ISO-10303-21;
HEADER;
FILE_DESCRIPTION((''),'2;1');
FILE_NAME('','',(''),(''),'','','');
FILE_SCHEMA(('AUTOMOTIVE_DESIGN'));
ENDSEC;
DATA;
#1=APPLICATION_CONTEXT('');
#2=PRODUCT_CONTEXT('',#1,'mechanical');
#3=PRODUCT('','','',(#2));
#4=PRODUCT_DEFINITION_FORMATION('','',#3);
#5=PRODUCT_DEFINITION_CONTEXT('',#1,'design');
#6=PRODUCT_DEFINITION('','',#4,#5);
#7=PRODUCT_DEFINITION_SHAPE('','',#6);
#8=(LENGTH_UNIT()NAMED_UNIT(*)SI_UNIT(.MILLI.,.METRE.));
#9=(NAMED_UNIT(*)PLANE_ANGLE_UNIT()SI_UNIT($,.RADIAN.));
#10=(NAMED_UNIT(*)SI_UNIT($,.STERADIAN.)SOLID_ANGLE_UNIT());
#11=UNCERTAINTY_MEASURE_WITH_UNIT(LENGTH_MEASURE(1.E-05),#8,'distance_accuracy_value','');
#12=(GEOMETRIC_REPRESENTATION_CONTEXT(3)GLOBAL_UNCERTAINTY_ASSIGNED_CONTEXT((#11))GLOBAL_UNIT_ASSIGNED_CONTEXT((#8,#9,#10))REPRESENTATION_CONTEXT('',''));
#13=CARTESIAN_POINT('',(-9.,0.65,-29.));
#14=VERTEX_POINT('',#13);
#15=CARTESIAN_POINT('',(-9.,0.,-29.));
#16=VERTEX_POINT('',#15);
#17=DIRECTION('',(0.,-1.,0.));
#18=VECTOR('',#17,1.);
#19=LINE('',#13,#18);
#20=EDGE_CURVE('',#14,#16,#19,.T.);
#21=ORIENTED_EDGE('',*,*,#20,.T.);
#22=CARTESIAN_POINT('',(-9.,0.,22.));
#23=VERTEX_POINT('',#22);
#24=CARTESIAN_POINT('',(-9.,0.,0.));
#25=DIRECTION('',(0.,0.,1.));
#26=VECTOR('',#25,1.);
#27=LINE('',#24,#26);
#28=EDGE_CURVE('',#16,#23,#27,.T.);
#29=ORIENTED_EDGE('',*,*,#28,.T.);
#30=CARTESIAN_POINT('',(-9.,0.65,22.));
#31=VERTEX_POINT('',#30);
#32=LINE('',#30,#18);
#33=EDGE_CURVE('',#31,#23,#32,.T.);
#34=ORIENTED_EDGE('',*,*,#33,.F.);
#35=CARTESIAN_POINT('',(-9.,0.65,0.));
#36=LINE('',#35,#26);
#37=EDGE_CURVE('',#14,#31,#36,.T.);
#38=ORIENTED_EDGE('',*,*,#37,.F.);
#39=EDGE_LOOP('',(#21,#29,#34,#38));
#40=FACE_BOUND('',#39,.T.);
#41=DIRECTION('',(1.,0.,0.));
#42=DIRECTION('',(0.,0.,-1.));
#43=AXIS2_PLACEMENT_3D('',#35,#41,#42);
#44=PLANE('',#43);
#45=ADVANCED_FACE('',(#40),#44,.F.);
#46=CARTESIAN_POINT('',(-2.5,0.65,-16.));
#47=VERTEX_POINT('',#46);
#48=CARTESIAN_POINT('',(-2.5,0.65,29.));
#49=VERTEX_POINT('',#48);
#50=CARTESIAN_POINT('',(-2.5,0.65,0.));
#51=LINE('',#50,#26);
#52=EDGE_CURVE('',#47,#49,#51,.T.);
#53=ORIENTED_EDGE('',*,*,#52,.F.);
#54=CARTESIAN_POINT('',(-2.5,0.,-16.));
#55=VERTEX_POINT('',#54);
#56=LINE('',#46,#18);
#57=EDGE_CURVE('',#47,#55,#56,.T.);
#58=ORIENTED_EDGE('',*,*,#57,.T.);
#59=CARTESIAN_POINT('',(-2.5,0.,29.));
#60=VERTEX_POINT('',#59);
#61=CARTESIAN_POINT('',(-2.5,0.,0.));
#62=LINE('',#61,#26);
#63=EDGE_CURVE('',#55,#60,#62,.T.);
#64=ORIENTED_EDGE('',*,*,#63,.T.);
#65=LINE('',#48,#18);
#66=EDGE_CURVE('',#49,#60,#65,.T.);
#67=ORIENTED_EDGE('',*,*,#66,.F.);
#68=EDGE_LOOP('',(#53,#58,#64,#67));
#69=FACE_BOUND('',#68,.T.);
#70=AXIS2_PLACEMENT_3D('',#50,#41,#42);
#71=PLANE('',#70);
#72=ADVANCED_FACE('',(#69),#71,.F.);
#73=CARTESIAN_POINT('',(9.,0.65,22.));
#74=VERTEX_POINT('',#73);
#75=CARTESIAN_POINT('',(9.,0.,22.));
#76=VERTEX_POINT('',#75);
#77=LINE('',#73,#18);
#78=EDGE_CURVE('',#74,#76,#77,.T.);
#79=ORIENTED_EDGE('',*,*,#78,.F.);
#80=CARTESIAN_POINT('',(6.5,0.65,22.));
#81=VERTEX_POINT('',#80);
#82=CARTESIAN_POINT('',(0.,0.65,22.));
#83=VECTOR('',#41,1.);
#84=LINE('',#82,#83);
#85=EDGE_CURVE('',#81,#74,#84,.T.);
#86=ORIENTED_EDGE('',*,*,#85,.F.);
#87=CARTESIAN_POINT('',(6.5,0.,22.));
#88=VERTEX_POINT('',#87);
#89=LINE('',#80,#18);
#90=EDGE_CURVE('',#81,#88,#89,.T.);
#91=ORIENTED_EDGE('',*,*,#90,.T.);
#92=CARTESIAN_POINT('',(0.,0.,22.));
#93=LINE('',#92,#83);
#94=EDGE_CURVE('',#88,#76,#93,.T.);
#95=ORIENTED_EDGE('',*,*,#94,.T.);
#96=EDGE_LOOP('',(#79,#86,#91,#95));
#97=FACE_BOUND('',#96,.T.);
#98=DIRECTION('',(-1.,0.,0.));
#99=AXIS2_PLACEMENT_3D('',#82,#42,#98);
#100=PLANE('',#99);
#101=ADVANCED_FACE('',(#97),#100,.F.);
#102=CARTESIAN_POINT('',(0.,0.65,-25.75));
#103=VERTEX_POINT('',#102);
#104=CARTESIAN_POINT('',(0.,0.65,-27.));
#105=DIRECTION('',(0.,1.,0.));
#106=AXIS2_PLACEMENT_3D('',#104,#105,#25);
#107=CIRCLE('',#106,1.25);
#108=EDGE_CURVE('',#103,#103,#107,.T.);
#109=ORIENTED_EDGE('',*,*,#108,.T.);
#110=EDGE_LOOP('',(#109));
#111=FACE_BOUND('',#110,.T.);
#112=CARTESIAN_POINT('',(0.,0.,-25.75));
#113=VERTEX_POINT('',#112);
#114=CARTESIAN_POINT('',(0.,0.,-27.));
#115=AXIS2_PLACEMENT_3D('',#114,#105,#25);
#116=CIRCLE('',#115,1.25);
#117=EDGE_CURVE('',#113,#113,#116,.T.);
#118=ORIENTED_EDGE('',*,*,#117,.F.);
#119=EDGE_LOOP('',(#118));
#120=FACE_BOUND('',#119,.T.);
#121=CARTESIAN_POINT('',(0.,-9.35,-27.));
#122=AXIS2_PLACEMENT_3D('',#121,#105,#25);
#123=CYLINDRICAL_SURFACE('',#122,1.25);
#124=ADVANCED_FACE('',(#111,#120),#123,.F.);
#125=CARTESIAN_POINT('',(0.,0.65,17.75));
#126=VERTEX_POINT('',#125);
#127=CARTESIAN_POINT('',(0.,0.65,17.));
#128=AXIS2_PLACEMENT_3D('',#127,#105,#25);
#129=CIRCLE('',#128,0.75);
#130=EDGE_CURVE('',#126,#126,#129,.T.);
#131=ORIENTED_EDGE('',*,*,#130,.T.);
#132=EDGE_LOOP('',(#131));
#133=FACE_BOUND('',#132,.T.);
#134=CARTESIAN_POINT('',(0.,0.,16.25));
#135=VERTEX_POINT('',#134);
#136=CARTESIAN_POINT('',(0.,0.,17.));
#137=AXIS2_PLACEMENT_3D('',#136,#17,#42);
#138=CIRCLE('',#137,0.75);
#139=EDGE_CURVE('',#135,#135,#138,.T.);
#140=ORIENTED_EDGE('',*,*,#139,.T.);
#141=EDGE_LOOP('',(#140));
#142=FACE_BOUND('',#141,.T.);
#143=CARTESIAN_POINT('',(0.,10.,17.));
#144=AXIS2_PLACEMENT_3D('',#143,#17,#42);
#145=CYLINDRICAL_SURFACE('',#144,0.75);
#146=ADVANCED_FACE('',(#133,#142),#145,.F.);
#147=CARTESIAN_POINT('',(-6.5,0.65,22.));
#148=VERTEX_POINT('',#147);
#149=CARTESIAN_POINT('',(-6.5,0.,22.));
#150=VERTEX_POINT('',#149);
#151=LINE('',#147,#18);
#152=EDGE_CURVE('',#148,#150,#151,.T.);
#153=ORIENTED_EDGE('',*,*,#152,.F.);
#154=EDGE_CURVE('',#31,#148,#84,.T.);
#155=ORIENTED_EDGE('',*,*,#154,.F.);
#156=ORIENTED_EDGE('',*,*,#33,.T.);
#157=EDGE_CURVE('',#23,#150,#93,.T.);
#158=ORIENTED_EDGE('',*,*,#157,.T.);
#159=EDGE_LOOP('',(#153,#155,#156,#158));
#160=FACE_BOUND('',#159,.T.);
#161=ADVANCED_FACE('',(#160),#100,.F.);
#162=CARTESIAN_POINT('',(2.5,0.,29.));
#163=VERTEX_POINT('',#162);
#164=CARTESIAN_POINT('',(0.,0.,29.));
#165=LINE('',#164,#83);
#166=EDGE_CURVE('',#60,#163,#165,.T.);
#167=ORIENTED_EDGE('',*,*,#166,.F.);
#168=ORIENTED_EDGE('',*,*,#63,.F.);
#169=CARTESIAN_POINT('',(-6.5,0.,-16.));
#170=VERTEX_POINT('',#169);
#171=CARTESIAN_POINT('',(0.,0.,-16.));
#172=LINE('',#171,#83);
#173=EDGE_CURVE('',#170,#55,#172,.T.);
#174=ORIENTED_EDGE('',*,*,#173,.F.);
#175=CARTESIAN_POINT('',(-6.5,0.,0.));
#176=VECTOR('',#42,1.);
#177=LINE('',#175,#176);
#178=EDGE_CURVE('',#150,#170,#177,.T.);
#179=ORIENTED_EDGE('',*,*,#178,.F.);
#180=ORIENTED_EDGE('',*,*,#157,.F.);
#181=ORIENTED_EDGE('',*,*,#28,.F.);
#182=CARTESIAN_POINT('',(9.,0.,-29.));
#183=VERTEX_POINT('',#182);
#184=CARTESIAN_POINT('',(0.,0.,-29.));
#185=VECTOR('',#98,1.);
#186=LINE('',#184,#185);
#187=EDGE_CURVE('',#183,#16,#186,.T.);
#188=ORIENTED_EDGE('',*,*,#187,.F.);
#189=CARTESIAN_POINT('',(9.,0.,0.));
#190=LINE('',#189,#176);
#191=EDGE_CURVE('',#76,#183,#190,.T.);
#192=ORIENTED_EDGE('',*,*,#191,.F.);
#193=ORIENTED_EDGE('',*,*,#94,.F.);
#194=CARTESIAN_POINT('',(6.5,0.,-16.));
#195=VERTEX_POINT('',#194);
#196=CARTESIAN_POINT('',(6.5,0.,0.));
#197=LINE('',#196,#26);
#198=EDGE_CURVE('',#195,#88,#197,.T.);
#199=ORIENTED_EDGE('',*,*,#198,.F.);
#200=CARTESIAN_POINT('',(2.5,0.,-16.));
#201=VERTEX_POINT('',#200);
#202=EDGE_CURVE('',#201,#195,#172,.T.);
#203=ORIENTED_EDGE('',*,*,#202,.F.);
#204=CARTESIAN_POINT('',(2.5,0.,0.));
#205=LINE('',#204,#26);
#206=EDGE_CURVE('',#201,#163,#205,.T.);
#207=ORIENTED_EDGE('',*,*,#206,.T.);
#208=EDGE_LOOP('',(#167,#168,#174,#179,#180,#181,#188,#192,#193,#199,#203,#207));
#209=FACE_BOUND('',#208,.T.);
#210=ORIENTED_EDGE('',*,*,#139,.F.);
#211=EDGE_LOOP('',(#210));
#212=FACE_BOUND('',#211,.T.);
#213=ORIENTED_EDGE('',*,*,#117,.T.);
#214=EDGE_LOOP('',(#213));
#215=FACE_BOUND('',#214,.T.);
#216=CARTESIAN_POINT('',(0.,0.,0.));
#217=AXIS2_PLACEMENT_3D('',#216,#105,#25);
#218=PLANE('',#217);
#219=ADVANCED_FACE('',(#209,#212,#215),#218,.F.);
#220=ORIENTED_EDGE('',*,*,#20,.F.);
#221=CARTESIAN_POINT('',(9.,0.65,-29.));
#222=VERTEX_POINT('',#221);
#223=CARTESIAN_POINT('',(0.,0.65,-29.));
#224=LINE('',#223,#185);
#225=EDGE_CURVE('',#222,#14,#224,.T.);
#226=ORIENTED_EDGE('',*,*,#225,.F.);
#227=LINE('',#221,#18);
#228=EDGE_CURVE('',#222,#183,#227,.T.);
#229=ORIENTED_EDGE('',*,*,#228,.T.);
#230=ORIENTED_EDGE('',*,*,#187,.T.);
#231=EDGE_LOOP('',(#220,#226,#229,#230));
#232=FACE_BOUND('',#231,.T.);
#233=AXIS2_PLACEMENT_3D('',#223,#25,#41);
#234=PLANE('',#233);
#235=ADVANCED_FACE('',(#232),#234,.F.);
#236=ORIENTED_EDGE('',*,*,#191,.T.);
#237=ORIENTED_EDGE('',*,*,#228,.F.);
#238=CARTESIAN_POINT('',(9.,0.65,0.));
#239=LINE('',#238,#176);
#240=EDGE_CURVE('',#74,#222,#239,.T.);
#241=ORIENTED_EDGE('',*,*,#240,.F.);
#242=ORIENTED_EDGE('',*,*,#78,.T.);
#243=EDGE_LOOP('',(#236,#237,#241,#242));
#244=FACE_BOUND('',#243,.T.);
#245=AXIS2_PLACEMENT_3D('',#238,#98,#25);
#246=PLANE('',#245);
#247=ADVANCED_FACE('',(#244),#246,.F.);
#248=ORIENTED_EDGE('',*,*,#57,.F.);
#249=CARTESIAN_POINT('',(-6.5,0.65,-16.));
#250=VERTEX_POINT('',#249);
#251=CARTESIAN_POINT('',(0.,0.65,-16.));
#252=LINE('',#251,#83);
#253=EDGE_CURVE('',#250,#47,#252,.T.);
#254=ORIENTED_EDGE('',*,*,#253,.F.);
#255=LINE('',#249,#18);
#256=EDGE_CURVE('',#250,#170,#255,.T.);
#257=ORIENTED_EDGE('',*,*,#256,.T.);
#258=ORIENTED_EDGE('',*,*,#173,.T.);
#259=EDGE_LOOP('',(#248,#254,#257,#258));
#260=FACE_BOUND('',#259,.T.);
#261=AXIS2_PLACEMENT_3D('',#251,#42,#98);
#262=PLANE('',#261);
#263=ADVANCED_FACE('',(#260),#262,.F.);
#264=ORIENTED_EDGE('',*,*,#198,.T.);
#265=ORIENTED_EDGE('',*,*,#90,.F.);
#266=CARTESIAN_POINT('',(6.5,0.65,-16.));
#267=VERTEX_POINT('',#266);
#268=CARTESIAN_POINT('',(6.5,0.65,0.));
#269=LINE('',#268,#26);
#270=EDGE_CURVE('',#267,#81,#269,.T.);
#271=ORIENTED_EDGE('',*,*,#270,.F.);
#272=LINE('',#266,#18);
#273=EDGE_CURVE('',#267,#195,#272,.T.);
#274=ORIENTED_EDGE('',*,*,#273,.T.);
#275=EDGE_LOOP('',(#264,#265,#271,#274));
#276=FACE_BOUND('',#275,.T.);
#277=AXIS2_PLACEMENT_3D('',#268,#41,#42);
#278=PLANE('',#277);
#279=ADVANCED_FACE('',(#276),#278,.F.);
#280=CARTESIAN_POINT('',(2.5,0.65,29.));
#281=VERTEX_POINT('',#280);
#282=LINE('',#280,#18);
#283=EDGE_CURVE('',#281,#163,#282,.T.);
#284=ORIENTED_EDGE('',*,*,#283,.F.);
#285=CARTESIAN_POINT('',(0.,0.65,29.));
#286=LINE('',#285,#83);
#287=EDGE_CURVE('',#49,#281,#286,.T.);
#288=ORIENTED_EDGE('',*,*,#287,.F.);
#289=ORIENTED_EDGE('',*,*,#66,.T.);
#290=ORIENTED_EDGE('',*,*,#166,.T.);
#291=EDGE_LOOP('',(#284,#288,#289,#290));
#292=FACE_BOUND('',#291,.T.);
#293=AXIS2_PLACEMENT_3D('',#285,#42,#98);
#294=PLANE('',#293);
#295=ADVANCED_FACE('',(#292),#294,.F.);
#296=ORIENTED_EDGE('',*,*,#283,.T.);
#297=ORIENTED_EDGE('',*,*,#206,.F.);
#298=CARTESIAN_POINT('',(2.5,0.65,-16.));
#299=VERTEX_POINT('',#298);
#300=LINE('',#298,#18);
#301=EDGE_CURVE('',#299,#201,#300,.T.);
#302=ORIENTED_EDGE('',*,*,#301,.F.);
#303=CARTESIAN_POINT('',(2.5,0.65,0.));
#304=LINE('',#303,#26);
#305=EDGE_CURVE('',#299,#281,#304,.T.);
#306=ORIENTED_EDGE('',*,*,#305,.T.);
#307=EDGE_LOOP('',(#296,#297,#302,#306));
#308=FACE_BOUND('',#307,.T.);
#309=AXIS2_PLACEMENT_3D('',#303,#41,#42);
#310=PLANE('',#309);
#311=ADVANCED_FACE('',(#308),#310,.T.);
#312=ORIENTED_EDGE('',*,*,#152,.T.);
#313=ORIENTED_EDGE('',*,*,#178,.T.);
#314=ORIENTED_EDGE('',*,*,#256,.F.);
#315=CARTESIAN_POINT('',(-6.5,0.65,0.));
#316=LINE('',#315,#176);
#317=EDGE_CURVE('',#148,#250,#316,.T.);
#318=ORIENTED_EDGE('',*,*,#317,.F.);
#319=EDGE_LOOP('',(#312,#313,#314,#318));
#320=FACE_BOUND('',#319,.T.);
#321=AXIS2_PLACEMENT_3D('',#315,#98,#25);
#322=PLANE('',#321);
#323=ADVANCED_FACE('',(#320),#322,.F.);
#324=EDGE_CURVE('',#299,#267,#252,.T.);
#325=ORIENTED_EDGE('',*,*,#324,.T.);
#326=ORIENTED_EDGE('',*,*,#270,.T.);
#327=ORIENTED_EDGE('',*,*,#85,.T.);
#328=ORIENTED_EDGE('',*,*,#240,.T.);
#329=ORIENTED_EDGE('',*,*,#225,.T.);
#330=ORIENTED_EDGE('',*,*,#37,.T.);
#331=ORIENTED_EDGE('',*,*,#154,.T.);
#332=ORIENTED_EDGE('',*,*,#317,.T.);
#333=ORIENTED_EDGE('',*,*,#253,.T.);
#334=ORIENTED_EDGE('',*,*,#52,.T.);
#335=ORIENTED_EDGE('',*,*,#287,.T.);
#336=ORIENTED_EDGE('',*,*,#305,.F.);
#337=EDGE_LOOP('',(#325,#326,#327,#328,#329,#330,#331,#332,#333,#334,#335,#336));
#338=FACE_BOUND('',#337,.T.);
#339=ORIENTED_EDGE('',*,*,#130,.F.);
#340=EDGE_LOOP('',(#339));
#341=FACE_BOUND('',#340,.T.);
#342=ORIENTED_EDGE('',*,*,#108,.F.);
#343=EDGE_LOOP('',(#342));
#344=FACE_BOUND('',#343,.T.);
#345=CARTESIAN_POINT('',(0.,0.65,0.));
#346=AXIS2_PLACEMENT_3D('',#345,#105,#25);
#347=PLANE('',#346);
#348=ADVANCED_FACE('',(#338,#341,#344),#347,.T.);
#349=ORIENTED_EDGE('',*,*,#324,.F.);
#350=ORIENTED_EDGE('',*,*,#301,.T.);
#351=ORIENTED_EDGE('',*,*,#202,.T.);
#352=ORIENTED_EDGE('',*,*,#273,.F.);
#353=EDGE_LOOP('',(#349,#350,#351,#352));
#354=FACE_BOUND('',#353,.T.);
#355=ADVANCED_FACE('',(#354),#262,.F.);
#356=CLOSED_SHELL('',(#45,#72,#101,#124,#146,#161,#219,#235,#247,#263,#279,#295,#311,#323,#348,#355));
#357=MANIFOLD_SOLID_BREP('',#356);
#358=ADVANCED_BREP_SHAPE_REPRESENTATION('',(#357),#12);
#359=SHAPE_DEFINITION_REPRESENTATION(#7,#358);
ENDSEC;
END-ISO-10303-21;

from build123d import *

# Parameters (mm, degrees)
SKETCH_1_W          = 5
SKETCH_1_H          = 58
EXTRUDE_1_DEPTH     = 0.65
SKETCH_2_R          = 1.25
CUT_EXTRUDE_1_DEPTH = 10
SKETCH_3_R          = 0.75
CUT_EXTRUDE_2_DEPTH = 10


with BuildPart() as part:
    # 草图1 → 凸台-拉伸1 (new body)
    with BuildSketch(Plane(origin=(0, 0, 0), x_dir=(1, 0, 0), z_dir=(0, 1, 0))):
        Polygon((-2.5, 16), (-2.5, 29), (-9, 29), (-9, -22), (-6.5, -22), (-6.5, 16), align=None)
        Rectangle(SKETCH_1_W, SKETCH_1_H)
        Polygon((9, 29), (2.5, 29), (2.5, 16), (6.5, 16), (6.5, -22), (9, -22), align=None)
    extrude(amount=EXTRUDE_1_DEPTH)

    # 草图2 → 切除-拉伸1 (cut)
    with BuildSketch(Plane(origin=(0, 0.65, 0), x_dir=(1, 0, 0), z_dir=(0, 1, 0))):
        with Locations(Location((0, 27, 0), (0, 0, 270))):
            Circle(SKETCH_2_R)
    extrude(amount=-CUT_EXTRUDE_1_DEPTH, mode=Mode.SUBTRACT)

    # 草图3 → 切除-拉伸2 (cut)
    with BuildSketch(Plane.XZ):
        with Locations(Location((0, 17, 0), (0, 0, 270))):
            Circle(SKETCH_3_R)
    extrude(amount=-CUT_EXTRUDE_2_DEPTH, mode=Mode.SUBTRACT)


solid = part.part
